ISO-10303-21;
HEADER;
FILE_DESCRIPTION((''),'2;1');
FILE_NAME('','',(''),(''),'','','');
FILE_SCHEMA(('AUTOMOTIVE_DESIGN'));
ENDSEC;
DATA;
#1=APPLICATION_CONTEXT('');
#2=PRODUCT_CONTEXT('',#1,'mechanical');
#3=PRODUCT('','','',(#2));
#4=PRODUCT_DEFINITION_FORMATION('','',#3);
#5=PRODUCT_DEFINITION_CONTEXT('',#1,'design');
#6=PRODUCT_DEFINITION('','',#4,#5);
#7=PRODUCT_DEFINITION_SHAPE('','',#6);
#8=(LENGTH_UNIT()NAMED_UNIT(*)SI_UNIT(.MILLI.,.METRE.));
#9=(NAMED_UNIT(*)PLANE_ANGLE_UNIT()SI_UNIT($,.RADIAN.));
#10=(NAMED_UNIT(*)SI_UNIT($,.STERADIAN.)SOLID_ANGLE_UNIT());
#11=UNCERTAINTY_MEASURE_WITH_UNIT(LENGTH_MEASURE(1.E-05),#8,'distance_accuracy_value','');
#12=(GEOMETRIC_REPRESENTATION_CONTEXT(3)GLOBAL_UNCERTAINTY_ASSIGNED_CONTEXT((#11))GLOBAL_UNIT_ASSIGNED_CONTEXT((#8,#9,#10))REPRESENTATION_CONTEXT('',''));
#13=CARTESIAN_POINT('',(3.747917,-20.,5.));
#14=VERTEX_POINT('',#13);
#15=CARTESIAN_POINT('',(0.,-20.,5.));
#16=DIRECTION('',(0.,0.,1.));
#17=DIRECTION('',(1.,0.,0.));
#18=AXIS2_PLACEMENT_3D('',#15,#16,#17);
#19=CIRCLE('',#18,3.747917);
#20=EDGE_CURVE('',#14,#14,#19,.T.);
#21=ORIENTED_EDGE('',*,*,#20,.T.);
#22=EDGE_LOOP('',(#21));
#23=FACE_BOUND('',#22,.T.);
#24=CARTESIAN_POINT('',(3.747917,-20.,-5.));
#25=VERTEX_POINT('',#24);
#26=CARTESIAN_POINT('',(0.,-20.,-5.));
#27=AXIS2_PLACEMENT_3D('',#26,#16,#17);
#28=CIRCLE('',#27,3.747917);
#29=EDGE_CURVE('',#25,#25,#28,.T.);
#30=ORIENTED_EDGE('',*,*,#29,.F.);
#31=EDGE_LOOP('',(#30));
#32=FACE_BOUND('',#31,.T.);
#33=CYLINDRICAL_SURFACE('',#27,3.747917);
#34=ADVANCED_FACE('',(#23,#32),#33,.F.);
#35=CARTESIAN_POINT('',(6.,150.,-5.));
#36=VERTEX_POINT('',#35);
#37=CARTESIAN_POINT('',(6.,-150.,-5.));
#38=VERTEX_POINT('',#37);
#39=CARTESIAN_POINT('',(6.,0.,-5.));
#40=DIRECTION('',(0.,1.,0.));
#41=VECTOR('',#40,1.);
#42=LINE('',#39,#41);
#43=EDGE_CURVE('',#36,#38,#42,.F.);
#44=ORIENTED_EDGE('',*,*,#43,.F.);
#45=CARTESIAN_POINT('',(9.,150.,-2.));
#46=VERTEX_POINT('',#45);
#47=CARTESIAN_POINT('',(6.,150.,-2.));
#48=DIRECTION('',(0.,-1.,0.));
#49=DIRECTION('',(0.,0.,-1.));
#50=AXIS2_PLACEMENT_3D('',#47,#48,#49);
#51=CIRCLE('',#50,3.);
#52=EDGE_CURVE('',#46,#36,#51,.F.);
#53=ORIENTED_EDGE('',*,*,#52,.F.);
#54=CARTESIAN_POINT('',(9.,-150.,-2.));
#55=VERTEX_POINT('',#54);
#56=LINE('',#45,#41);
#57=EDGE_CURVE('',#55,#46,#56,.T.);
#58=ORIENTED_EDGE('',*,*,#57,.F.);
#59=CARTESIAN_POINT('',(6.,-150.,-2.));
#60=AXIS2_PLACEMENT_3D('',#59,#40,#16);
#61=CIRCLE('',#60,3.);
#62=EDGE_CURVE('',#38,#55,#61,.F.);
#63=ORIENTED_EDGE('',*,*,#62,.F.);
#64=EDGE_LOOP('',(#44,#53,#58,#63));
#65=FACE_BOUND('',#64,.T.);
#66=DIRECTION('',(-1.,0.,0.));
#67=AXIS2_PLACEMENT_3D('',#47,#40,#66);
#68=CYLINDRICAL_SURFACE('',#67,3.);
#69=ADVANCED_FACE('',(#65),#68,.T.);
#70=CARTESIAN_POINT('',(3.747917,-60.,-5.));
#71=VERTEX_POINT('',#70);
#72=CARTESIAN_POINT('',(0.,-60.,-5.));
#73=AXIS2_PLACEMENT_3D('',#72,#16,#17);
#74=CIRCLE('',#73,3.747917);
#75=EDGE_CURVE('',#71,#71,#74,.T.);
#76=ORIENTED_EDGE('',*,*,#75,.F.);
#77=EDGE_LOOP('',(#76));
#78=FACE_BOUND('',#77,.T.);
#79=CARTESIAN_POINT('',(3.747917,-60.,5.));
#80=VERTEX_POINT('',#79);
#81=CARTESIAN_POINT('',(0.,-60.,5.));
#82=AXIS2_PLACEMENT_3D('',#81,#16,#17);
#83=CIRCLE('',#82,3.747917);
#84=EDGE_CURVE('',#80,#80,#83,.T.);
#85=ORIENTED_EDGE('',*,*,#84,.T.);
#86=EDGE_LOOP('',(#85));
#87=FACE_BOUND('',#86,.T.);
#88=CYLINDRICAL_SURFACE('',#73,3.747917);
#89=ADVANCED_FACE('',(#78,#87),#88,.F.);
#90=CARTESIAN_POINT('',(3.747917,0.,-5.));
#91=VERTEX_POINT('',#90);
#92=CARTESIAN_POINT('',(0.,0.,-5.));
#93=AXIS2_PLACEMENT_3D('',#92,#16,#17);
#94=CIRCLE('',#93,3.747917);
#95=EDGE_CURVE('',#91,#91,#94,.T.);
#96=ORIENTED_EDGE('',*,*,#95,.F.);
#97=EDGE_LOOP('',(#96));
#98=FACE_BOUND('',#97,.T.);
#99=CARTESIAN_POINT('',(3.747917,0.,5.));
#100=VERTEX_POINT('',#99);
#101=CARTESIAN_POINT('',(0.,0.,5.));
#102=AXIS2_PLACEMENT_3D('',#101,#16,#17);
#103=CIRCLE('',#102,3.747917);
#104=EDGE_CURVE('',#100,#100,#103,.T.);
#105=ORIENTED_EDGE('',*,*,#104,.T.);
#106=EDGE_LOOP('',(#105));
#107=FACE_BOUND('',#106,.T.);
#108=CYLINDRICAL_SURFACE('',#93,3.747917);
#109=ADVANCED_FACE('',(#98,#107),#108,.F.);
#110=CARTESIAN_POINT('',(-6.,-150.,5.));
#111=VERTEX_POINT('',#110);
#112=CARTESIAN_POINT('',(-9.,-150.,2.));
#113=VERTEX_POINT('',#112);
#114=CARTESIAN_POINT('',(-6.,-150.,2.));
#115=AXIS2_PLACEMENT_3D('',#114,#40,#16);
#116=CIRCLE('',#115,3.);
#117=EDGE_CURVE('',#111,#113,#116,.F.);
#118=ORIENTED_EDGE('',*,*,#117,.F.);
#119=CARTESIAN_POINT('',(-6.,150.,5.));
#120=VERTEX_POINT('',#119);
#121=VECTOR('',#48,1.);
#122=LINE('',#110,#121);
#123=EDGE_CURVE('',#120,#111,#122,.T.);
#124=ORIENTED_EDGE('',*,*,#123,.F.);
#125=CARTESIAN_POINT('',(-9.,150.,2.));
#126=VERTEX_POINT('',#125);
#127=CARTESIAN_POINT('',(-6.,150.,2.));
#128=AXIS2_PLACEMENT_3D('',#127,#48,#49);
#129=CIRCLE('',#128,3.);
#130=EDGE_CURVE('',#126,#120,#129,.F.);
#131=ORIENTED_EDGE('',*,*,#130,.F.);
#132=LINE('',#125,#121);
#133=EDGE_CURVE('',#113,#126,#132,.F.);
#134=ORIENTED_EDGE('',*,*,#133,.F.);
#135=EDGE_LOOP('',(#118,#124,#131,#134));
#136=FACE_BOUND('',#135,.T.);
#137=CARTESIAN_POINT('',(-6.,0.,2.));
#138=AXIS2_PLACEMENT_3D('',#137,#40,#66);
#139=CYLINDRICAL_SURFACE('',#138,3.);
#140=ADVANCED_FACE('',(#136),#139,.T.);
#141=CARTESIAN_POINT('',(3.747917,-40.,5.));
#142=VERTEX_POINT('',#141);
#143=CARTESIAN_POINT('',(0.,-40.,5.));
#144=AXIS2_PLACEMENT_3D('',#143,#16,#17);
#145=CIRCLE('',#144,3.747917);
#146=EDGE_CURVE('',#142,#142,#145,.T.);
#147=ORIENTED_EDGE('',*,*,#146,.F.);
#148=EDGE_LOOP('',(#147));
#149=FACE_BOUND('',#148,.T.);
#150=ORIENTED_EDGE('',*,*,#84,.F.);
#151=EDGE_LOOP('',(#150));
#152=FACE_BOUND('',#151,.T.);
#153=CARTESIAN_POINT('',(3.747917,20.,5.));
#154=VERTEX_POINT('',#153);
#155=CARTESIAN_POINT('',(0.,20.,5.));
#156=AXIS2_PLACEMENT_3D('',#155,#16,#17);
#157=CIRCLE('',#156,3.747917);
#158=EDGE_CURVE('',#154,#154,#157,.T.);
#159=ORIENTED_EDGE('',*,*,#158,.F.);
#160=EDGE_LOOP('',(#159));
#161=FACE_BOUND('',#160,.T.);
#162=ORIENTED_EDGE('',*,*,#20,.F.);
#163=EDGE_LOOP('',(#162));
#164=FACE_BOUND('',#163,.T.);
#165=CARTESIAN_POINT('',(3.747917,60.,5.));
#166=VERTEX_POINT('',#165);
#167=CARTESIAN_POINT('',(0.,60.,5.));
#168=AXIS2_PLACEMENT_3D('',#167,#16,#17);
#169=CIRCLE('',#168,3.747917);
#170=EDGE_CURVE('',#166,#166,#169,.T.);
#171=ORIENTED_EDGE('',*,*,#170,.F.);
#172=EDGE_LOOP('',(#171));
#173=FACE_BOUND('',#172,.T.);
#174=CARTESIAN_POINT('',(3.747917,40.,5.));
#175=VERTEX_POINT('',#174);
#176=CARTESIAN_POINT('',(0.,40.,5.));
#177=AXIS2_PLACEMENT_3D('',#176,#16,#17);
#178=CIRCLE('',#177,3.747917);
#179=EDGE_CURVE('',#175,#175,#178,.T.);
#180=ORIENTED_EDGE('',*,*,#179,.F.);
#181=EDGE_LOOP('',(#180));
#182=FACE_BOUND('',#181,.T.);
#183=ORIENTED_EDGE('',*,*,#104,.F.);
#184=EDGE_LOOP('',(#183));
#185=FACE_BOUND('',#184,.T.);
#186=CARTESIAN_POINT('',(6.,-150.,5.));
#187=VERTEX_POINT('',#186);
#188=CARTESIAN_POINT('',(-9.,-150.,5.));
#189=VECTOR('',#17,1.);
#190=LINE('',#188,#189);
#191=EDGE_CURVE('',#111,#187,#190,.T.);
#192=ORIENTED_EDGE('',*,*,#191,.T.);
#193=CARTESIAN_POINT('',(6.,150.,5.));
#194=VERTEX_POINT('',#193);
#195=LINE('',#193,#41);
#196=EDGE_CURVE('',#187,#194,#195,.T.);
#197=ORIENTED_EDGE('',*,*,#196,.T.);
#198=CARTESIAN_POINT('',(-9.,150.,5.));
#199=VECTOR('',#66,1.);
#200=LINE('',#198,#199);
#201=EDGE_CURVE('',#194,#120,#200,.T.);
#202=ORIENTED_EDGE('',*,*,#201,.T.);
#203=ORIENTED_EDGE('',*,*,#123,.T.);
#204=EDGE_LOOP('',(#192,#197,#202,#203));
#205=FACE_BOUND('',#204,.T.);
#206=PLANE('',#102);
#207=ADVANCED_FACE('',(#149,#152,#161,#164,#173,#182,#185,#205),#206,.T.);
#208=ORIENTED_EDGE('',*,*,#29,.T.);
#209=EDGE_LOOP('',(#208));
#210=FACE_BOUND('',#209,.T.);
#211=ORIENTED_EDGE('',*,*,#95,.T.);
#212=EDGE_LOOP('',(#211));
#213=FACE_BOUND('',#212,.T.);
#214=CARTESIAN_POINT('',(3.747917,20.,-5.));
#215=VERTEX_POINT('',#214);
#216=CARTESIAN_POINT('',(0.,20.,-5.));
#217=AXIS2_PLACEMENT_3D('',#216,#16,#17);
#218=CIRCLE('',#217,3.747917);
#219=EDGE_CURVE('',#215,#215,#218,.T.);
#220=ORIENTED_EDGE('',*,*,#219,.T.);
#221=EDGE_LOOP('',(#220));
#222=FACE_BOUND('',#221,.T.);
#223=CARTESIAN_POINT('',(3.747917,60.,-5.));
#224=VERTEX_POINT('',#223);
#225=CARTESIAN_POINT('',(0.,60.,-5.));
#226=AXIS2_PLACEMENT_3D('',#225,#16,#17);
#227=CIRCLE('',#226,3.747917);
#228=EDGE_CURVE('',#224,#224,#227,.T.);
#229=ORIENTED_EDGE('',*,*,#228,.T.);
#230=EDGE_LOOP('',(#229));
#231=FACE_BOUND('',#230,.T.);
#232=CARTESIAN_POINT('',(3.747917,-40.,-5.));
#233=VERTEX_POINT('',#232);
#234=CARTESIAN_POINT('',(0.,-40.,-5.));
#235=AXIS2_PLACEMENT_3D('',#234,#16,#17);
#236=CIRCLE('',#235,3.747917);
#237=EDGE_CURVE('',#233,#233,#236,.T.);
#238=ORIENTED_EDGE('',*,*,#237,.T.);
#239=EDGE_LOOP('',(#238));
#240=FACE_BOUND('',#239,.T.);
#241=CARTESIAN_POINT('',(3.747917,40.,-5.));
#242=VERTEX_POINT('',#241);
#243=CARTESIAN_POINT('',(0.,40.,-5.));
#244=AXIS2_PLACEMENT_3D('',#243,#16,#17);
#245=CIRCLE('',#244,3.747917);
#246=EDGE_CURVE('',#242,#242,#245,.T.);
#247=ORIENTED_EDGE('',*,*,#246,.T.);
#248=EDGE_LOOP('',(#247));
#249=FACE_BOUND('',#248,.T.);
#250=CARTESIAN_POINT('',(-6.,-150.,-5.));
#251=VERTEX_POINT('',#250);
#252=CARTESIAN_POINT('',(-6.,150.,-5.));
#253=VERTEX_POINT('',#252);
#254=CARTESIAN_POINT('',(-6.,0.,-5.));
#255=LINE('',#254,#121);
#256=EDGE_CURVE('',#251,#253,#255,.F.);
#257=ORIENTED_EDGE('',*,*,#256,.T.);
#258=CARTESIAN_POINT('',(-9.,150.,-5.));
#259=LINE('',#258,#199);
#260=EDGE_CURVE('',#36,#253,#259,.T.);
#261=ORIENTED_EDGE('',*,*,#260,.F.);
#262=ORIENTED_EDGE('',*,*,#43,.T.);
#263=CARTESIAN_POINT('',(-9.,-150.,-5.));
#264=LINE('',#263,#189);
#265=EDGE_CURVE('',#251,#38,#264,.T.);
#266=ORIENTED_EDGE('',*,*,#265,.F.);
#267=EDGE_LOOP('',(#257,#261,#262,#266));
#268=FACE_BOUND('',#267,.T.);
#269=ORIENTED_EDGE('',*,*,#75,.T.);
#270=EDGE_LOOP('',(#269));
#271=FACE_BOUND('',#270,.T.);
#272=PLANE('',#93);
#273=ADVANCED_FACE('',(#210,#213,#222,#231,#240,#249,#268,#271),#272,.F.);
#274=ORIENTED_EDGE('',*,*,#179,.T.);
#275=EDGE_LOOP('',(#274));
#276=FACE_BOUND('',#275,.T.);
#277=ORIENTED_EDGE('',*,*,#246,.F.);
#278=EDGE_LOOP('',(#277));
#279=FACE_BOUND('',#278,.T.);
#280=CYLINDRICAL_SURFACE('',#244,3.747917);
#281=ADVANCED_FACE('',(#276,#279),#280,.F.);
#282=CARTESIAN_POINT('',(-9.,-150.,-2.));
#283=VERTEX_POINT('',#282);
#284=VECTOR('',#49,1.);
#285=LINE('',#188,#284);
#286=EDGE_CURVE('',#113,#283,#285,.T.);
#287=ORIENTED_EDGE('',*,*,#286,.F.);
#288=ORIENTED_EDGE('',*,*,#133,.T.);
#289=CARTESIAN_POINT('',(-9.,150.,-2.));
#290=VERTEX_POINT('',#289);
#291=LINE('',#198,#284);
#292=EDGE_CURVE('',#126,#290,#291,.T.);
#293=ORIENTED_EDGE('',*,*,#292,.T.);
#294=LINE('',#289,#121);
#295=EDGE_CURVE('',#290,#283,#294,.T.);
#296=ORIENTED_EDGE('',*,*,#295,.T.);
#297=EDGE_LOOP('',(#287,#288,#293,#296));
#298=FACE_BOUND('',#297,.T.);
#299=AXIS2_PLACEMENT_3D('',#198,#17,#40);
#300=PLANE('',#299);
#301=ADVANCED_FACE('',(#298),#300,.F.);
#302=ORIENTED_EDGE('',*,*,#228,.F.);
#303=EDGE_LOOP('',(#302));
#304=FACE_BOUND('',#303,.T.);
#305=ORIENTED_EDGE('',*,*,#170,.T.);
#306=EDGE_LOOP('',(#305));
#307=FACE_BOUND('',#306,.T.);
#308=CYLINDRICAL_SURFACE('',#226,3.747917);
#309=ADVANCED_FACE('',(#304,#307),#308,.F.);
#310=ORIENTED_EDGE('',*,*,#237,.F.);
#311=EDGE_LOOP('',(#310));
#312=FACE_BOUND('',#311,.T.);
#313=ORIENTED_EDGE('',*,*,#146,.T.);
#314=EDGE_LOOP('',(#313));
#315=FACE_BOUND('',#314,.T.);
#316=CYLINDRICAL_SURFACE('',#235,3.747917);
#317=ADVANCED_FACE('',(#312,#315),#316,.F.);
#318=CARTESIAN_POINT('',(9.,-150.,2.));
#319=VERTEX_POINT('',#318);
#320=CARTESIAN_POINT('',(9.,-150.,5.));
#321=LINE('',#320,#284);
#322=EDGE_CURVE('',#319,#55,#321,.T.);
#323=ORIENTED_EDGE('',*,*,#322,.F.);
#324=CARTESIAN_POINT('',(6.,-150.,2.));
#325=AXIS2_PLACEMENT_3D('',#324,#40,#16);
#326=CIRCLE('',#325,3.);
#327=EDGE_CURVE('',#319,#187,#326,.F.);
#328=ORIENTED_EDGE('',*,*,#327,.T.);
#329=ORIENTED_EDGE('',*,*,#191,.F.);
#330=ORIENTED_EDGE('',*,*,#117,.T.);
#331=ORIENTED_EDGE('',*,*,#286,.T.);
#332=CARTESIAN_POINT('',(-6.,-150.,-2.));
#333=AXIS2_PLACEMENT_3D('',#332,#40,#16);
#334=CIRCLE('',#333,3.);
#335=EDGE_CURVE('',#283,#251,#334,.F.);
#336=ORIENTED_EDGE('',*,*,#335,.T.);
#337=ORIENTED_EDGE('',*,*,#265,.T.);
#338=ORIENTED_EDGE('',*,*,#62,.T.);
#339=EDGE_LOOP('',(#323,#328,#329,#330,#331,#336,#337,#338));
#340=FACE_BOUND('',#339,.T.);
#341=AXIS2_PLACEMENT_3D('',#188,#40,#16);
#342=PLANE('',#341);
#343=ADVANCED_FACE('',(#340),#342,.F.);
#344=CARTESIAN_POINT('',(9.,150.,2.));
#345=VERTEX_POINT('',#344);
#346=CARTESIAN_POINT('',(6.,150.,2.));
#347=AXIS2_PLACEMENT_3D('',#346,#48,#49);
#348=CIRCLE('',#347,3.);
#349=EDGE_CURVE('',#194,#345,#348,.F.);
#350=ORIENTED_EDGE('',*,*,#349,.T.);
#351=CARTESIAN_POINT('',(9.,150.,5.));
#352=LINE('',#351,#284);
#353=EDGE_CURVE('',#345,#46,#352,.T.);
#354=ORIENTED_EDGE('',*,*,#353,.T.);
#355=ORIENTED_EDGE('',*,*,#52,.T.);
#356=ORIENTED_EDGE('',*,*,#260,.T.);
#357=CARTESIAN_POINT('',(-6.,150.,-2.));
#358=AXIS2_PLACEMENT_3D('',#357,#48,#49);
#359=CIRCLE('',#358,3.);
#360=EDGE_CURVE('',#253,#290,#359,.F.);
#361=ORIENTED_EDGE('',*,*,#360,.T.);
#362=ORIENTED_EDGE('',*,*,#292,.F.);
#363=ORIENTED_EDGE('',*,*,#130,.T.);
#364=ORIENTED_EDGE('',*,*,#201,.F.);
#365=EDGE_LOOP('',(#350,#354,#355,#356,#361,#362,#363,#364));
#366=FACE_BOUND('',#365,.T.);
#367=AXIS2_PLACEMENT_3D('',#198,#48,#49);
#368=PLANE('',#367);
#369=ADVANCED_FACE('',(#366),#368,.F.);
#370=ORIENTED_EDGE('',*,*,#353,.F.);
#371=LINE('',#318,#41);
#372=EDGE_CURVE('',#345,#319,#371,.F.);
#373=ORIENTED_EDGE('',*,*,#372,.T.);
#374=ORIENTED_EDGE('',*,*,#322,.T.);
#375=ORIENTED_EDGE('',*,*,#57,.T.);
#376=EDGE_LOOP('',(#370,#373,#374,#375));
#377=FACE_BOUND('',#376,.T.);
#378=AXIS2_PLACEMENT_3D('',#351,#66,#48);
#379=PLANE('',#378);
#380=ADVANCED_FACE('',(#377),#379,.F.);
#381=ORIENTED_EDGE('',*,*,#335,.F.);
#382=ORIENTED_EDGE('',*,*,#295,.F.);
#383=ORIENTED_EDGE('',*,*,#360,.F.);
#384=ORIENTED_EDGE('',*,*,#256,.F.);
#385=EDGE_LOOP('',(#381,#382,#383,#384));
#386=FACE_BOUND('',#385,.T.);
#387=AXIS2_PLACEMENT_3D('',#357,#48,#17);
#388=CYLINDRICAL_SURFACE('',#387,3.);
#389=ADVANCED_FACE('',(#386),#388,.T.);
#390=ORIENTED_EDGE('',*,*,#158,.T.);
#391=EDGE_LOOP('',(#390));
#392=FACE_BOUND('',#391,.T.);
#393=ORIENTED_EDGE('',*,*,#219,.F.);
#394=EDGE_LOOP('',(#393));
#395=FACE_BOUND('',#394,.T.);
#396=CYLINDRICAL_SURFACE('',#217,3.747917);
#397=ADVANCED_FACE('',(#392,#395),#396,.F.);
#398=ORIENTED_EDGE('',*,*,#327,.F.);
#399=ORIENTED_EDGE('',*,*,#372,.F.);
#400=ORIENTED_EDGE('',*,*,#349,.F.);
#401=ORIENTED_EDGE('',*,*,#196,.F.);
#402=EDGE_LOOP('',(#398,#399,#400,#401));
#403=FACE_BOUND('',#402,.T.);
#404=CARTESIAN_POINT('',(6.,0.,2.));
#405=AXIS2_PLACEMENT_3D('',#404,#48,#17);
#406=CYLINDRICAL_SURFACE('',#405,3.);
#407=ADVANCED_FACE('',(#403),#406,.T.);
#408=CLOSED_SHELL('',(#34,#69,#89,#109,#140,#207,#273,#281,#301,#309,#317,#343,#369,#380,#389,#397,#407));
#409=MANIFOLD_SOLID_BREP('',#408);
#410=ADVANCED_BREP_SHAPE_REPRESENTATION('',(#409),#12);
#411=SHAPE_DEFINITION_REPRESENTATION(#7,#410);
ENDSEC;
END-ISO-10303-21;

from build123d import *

# Parameters (mm, degrees)
CROQUIS1_W              = 18
CROQUIS1_H              = 300
SALIENTE_EXTRUIR1_DEPTH = 5
REDONDEO2_R             = 3
CROQUIS2_R              = 3.747917417
CORTAR_EXTRUIR1_DEPTH   = 10


with BuildPart() as part:
    # Croquis1 → Saliente-Extruir1 (new, symmetric)
    with BuildSketch(Plane.XY):
        Rectangle(CROQUIS1_W, CROQUIS1_H)
    extrude(amount=SALIENTE_EXTRUIR1_DEPTH, both=True)

    # Redondeo2
    redondeo2_edges = [part.edges().sort_by_distance(p)[0] for p in [
        (-9, 0, 5),
        (9, 0, 5),
        (-9, 0, -5),
        (9, 0, -5),
    ]]
    fillet(redondeo2_edges, radius=REDONDEO2_R)

    # Croquis2 → Cortar-Extruir1 (cut)
    with BuildSketch(Plane.XY.offset(5)):
        Circle(CROQUIS2_R)
        with Locations((0, 20)):
            Circle(CROQUIS2_R)
        with Locations((0, 40)):
            Circle(CROQUIS2_R)
        with Locations((0, 60)):
            Circle(CROQUIS2_R)
        with Locations((0, -20)):
            Circle(CROQUIS2_R)
        with Locations((0, -60)):
            Circle(CROQUIS2_R)
        with Locations((0, -40)):
            Circle(CROQUIS2_R)
    extrude(amount=-CORTAR_EXTRUIR1_DEPTH, mode=Mode.SUBTRACT)


solid = part.part
